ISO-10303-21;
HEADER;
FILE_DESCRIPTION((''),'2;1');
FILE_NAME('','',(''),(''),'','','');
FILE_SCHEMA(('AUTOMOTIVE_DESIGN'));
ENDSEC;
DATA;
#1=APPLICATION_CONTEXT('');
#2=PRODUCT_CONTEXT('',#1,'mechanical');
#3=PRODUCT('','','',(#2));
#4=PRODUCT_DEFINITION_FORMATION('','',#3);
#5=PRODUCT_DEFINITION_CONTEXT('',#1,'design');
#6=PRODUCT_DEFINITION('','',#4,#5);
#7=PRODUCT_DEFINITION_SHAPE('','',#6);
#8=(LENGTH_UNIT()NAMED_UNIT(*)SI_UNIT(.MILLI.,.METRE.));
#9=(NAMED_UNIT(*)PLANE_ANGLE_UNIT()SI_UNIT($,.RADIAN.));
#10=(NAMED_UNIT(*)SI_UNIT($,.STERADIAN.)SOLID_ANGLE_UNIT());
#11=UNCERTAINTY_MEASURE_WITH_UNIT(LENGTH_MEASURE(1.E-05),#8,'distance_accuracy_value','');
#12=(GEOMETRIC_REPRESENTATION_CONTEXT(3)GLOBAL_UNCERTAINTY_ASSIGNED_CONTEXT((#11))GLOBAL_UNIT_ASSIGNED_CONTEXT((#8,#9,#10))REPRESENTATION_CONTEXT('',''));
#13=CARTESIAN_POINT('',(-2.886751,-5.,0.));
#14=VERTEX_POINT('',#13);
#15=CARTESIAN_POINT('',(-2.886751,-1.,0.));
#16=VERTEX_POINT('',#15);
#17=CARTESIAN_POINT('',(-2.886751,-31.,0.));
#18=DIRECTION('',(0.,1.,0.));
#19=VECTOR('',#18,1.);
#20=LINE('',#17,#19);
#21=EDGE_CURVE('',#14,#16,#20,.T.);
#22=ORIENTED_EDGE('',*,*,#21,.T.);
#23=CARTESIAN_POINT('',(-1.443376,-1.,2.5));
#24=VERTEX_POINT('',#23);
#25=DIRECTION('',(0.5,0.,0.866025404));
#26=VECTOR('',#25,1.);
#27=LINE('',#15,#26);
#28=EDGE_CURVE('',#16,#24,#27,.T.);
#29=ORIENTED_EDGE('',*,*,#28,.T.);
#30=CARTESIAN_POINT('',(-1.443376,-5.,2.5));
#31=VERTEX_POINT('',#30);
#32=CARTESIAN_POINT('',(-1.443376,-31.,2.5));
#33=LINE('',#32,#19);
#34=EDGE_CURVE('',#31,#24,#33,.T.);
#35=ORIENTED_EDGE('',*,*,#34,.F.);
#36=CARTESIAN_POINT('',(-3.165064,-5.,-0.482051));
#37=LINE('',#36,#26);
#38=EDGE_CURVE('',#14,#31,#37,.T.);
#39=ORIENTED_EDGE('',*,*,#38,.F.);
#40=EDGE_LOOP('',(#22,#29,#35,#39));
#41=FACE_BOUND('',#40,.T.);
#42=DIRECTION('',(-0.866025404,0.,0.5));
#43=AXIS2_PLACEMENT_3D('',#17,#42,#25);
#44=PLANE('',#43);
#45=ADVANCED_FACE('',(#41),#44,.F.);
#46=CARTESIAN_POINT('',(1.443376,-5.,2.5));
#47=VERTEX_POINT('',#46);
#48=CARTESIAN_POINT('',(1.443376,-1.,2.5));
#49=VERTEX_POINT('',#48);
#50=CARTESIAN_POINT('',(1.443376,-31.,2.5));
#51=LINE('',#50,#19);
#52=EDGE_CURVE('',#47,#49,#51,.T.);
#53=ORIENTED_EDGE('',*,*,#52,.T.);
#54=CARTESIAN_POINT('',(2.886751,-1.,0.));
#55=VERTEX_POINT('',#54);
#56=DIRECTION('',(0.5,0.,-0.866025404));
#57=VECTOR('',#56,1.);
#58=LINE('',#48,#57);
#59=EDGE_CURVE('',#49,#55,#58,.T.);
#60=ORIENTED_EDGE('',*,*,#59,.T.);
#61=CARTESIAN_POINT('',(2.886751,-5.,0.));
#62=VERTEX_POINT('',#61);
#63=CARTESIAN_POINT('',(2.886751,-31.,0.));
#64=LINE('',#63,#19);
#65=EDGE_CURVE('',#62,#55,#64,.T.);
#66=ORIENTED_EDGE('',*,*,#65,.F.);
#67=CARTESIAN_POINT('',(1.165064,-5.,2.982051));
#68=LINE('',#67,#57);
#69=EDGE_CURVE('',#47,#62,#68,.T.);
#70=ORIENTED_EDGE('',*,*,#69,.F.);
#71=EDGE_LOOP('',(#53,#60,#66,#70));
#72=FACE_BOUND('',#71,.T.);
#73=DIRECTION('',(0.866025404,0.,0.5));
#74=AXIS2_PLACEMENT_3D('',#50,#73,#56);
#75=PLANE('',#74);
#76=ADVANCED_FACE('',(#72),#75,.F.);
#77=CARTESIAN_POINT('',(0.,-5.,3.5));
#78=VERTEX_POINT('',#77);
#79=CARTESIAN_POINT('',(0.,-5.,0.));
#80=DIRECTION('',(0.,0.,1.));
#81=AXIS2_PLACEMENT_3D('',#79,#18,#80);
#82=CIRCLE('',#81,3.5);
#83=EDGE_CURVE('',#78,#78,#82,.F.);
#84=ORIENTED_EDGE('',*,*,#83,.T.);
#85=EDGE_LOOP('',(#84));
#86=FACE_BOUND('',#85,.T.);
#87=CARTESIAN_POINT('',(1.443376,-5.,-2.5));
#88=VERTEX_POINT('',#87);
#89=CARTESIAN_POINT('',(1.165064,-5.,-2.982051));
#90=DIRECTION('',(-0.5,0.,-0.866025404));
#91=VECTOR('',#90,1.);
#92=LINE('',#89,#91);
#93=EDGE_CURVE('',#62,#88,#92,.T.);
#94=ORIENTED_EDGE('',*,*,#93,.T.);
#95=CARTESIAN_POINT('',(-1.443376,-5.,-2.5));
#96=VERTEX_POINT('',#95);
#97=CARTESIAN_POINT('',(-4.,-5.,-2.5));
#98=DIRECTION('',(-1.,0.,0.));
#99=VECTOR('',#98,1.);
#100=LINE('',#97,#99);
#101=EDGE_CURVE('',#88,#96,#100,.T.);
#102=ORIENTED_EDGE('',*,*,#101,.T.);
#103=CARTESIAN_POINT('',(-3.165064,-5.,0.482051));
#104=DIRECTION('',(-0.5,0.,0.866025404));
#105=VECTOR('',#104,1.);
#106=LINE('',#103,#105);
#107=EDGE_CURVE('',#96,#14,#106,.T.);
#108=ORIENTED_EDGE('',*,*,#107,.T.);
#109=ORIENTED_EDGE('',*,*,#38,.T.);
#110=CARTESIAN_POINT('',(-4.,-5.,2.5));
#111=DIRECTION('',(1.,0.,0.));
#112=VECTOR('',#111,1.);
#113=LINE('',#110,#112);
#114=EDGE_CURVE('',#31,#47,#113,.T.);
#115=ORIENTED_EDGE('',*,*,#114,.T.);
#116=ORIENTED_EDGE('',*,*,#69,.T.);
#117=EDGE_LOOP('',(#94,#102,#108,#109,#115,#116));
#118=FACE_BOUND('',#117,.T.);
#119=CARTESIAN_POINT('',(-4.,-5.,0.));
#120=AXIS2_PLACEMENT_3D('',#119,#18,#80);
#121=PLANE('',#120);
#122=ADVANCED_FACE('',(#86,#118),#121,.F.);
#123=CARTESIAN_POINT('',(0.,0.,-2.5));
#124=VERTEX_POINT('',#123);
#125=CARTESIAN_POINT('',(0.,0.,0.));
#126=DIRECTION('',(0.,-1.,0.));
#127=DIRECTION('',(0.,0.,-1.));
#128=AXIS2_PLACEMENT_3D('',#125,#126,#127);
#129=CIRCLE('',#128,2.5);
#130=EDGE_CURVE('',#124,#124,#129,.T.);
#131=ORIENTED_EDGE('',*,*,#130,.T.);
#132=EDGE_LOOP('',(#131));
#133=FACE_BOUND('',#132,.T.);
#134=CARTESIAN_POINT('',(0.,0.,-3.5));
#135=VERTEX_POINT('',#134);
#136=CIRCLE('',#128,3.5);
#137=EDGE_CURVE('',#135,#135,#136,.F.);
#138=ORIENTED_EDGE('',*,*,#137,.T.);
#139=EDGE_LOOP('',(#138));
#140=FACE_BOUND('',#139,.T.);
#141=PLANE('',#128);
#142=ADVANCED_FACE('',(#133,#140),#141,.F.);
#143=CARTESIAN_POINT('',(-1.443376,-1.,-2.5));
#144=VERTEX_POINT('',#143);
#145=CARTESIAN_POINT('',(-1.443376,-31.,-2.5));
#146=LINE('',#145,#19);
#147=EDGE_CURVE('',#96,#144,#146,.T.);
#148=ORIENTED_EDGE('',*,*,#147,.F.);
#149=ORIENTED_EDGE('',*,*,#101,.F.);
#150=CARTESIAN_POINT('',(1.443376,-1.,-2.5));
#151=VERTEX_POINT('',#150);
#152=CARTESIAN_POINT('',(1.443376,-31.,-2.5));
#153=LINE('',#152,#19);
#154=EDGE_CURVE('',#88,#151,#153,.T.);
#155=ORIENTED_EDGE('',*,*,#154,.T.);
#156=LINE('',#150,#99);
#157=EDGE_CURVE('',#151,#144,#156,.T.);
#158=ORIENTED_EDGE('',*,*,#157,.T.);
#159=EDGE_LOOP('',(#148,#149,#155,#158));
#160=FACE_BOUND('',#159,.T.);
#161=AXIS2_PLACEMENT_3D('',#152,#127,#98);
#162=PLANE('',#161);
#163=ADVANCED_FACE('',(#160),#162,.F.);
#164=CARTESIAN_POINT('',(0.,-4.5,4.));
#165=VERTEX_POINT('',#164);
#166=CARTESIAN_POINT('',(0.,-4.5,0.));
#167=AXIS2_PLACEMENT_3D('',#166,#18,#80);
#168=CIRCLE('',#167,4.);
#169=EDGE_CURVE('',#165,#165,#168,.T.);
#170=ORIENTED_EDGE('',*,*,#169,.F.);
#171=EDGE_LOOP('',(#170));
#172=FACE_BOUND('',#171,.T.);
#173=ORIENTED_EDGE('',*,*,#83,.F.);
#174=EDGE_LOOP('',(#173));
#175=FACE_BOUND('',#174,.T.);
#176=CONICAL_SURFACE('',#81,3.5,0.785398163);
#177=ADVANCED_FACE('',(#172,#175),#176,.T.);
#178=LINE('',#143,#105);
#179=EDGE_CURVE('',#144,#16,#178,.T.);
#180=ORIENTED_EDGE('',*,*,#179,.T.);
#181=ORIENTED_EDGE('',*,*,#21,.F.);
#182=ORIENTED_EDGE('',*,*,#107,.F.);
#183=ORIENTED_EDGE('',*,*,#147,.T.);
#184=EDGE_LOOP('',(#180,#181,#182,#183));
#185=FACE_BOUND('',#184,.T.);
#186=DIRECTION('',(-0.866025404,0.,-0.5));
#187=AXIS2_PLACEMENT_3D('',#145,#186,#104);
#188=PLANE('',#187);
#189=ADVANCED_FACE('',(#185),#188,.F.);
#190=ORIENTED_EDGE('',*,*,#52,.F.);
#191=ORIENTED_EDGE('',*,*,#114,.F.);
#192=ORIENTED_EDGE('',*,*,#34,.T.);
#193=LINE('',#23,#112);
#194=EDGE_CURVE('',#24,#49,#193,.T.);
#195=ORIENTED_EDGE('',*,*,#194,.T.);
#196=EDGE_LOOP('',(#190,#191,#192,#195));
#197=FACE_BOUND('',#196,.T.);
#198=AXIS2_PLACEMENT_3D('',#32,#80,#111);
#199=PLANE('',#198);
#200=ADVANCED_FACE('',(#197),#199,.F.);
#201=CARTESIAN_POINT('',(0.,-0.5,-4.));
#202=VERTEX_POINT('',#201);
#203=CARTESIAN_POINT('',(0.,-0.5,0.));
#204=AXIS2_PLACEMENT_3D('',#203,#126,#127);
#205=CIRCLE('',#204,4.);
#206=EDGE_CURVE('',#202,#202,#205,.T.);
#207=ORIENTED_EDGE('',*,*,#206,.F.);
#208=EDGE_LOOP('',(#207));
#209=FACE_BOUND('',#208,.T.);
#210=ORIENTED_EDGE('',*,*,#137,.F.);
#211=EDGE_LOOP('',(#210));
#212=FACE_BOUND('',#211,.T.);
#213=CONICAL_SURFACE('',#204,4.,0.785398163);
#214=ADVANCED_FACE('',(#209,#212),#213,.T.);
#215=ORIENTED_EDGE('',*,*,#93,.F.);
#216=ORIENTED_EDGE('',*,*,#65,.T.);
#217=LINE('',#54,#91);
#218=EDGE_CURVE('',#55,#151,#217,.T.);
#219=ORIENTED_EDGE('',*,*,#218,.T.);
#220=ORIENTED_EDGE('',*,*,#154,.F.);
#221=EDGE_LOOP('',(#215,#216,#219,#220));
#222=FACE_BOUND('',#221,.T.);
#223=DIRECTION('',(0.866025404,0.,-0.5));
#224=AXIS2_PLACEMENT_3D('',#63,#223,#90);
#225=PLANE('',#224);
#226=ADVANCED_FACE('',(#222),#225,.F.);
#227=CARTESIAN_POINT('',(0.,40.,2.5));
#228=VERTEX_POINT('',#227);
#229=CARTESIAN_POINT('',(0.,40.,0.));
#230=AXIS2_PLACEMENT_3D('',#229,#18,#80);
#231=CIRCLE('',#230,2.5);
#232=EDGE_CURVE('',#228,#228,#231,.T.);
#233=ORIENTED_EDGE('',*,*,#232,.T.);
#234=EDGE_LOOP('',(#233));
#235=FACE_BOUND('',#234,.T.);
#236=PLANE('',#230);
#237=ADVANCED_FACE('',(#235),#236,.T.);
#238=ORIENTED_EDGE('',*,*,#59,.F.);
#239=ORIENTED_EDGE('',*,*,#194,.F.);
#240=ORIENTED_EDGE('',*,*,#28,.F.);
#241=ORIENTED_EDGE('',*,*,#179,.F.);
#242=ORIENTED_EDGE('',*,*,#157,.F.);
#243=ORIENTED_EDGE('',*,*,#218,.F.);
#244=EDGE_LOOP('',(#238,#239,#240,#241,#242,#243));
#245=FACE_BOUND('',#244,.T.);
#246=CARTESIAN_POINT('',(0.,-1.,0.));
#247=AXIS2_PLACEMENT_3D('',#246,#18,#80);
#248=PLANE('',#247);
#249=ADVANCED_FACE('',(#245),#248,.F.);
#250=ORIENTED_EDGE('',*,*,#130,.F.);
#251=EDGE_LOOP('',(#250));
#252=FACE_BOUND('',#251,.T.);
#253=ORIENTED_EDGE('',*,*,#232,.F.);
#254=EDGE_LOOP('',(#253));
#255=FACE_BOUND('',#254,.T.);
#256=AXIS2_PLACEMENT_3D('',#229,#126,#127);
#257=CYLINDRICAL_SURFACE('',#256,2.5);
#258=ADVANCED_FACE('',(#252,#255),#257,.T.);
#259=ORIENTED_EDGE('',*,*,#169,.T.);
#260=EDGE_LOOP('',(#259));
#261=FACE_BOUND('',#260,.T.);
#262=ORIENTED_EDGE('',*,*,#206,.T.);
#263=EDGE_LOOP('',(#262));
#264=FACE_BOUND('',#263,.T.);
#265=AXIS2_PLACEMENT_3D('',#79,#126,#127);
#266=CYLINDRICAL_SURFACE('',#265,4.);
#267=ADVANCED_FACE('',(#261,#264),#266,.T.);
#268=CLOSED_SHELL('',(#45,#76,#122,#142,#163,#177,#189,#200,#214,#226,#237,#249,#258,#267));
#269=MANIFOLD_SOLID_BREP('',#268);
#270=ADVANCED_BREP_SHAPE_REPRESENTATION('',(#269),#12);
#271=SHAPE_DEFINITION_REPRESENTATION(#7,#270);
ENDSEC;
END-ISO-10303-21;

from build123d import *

# Parameters (mm, degrees)
SKETCH1_R           = 2.5
BOSS_EXTRUDE1_DEPTH = 40
SKETCH3_W           = 4
SKETCH3_H           = 5
CUT_EXTRUDE1_START  = -1
CUT_EXTRUDE1_DEPTH  = 30
CHAMFER1_SIZE       = 0.5


with BuildPart() as part:
    # Sketch1 → Boss-Extrude1 (new body)
    with BuildSketch(Plane(origin=(0, 0, 0), x_dir=(1, 0, 0), z_dir=(0, 1, 0))):
        with Locations(Location((0, 0, 0), (0, 0, 270))):
            Circle(SKETCH1_R)
    extrude(amount=BOSS_EXTRUDE1_DEPTH)

    # Sketch3 → Revolve1 (revolve)
    with BuildSketch(Plane.XY, mode=Mode.PRIVATE) as revolve1_sk:
        with Locations((-2, -2.5)):
            Rectangle(SKETCH3_W, SKETCH3_H)
    revolve(revolve1_sk.sketch.rotate(Axis((0, -5, 0), (0, 1, 0)), 270), axis=Axis((0, -5, 0), (0, 1, 0)))

    # Sketch4 → Cut-Extrude1 (cut)
    with BuildSketch(Plane(origin=(0, 0, 0), x_dir=(1, 0, 0), z_dir=(0, 1, 0)).offset(CUT_EXTRUDE1_START)):
        Polygon((2.886751346, 0), (1.443375673, 2.5), (-1.443375673, 2.5), (-2.886751346, 0), (-1.443375673, -2.5), (1.443375673, -2.5), align=None)
    extrude(amount=-CUT_EXTRUDE1_DEPTH, mode=Mode.SUBTRACT)

    # Chamfer1
    chamfer1_edges = [part.edges().sort_by_distance(p)[0] for p in [
        (0, 0, 4),
        (0, -5, 4),
    ]]
    chamfer(chamfer1_edges, length=CHAMFER1_SIZE)


solid = part.part
